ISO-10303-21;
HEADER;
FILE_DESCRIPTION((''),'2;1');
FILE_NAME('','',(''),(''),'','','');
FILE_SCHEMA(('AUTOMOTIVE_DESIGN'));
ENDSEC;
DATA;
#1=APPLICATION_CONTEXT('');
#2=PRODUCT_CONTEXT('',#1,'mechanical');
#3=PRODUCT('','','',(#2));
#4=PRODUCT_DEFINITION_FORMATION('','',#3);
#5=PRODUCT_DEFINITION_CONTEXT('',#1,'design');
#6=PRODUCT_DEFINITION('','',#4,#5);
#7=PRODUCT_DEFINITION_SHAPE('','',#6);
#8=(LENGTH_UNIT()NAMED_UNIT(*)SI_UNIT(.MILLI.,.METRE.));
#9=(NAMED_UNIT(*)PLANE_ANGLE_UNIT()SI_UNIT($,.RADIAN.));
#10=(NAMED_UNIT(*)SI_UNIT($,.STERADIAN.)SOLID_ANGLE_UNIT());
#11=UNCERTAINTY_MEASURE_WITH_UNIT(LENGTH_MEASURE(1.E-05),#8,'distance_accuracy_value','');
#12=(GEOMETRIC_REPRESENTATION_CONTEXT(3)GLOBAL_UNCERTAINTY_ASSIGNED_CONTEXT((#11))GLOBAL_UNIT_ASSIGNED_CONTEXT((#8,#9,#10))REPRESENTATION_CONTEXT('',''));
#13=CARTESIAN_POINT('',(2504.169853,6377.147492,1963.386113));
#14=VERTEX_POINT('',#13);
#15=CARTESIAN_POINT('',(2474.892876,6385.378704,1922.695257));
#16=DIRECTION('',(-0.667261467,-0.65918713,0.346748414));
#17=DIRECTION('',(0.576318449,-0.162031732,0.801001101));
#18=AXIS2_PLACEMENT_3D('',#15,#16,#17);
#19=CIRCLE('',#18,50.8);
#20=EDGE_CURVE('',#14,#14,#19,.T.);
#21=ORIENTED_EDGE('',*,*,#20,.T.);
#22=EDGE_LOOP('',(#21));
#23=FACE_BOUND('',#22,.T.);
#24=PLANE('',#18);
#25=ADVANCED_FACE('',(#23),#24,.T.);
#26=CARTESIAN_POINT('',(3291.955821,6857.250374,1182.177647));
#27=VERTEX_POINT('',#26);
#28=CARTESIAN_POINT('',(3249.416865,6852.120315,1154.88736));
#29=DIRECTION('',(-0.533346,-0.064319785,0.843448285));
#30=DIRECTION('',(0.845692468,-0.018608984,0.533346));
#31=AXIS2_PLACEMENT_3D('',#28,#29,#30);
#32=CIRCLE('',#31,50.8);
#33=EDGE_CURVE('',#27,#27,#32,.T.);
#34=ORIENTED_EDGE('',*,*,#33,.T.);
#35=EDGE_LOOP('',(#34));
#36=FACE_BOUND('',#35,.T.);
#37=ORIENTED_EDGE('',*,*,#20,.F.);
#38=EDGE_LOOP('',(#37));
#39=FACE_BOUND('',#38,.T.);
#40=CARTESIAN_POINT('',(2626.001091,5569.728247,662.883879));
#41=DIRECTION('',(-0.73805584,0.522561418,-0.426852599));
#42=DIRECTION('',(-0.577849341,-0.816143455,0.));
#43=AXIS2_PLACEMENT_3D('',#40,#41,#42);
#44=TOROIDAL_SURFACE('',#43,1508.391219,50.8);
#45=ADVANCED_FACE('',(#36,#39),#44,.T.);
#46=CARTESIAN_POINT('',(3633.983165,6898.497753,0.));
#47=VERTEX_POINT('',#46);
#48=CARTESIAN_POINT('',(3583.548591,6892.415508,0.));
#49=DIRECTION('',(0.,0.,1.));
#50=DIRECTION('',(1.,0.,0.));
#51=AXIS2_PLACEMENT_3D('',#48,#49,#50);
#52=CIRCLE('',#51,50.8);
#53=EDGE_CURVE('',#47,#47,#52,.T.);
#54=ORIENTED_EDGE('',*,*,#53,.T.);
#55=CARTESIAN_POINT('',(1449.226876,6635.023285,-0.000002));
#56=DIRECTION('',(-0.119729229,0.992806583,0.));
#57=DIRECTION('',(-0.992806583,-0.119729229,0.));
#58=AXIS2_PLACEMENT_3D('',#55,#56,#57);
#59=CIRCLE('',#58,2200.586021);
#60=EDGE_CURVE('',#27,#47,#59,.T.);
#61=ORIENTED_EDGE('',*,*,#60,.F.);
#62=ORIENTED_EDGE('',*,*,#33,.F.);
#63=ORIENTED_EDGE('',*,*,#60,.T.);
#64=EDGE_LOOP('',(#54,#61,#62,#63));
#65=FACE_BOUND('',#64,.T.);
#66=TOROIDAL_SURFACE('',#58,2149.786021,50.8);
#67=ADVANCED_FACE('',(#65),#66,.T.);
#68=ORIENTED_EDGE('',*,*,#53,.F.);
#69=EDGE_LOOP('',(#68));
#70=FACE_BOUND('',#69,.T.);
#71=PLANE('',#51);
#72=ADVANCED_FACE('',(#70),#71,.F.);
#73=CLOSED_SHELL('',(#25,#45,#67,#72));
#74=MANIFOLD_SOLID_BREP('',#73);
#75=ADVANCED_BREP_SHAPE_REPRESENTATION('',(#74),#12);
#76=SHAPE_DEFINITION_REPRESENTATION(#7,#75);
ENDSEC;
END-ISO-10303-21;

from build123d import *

# Parameters (mm, degrees)
SKETCH1_R = 50.8
SKETCH4_R = 50.8


with BuildPart() as part:
    # Sweep1: sweep along a path in Sketch2
    with BuildLine(Plane(origin=(-767.916933237, 6367.64298763, -2.775e-06), x_dir=(5.179307759717874e-11, -4.294733297799064e-10, -1.0), z_dir=(0.11972922919226148, -0.9928065832159992, 4.325850943793921e-10))) as sweep1_path:
        ThreePointArc((-6.59e-07, 4382.994228049), (-601.46332602, 4297.141782627), (-1154.887361144, 4046.441540334))
    # Sketch1 → Sweep1 (sweep)
    with BuildSketch(Plane.XY):
        with Locations((3583.548590569, 6892.415508108)):
            Circle(SKETCH1_R)
    sweep(path=sweep1_path.line)

    # Sweep2: sweep along a path in Sketch3
    with BuildLine(Plane(origin=(-508.842223618, 360.27262354, -294.287523413), x_dir=(-0.6490943360035849, -0.7226256346086777, 0.237673589560286), z_dir=(0.73805584036661, -0.5225614180307999, 0.4268525985470592))) as sweep2_path:
        ThreePointArc((-6786.209650229, -3509.425060524), (-6336.56498271, -3914.889467469), (-5763.703404849, -4110.877540929))
    # Sketch4 → Sweep2 (sweep)
    with BuildSketch(Plane(origin=(639.856595269, 77.164614258, -1011.887121391), x_dir=(0.8458971833427876, -0.04055421915316704, 0.5318019467072448), z_dir=(-0.5333459995282034, -0.06431978450138558, 0.8434482853791079))):
        with Locations((3084.961531419, 6920.097799055)):
            Circle(SKETCH4_R)
    sweep(path=sweep2_path.line)


solid = part.part
